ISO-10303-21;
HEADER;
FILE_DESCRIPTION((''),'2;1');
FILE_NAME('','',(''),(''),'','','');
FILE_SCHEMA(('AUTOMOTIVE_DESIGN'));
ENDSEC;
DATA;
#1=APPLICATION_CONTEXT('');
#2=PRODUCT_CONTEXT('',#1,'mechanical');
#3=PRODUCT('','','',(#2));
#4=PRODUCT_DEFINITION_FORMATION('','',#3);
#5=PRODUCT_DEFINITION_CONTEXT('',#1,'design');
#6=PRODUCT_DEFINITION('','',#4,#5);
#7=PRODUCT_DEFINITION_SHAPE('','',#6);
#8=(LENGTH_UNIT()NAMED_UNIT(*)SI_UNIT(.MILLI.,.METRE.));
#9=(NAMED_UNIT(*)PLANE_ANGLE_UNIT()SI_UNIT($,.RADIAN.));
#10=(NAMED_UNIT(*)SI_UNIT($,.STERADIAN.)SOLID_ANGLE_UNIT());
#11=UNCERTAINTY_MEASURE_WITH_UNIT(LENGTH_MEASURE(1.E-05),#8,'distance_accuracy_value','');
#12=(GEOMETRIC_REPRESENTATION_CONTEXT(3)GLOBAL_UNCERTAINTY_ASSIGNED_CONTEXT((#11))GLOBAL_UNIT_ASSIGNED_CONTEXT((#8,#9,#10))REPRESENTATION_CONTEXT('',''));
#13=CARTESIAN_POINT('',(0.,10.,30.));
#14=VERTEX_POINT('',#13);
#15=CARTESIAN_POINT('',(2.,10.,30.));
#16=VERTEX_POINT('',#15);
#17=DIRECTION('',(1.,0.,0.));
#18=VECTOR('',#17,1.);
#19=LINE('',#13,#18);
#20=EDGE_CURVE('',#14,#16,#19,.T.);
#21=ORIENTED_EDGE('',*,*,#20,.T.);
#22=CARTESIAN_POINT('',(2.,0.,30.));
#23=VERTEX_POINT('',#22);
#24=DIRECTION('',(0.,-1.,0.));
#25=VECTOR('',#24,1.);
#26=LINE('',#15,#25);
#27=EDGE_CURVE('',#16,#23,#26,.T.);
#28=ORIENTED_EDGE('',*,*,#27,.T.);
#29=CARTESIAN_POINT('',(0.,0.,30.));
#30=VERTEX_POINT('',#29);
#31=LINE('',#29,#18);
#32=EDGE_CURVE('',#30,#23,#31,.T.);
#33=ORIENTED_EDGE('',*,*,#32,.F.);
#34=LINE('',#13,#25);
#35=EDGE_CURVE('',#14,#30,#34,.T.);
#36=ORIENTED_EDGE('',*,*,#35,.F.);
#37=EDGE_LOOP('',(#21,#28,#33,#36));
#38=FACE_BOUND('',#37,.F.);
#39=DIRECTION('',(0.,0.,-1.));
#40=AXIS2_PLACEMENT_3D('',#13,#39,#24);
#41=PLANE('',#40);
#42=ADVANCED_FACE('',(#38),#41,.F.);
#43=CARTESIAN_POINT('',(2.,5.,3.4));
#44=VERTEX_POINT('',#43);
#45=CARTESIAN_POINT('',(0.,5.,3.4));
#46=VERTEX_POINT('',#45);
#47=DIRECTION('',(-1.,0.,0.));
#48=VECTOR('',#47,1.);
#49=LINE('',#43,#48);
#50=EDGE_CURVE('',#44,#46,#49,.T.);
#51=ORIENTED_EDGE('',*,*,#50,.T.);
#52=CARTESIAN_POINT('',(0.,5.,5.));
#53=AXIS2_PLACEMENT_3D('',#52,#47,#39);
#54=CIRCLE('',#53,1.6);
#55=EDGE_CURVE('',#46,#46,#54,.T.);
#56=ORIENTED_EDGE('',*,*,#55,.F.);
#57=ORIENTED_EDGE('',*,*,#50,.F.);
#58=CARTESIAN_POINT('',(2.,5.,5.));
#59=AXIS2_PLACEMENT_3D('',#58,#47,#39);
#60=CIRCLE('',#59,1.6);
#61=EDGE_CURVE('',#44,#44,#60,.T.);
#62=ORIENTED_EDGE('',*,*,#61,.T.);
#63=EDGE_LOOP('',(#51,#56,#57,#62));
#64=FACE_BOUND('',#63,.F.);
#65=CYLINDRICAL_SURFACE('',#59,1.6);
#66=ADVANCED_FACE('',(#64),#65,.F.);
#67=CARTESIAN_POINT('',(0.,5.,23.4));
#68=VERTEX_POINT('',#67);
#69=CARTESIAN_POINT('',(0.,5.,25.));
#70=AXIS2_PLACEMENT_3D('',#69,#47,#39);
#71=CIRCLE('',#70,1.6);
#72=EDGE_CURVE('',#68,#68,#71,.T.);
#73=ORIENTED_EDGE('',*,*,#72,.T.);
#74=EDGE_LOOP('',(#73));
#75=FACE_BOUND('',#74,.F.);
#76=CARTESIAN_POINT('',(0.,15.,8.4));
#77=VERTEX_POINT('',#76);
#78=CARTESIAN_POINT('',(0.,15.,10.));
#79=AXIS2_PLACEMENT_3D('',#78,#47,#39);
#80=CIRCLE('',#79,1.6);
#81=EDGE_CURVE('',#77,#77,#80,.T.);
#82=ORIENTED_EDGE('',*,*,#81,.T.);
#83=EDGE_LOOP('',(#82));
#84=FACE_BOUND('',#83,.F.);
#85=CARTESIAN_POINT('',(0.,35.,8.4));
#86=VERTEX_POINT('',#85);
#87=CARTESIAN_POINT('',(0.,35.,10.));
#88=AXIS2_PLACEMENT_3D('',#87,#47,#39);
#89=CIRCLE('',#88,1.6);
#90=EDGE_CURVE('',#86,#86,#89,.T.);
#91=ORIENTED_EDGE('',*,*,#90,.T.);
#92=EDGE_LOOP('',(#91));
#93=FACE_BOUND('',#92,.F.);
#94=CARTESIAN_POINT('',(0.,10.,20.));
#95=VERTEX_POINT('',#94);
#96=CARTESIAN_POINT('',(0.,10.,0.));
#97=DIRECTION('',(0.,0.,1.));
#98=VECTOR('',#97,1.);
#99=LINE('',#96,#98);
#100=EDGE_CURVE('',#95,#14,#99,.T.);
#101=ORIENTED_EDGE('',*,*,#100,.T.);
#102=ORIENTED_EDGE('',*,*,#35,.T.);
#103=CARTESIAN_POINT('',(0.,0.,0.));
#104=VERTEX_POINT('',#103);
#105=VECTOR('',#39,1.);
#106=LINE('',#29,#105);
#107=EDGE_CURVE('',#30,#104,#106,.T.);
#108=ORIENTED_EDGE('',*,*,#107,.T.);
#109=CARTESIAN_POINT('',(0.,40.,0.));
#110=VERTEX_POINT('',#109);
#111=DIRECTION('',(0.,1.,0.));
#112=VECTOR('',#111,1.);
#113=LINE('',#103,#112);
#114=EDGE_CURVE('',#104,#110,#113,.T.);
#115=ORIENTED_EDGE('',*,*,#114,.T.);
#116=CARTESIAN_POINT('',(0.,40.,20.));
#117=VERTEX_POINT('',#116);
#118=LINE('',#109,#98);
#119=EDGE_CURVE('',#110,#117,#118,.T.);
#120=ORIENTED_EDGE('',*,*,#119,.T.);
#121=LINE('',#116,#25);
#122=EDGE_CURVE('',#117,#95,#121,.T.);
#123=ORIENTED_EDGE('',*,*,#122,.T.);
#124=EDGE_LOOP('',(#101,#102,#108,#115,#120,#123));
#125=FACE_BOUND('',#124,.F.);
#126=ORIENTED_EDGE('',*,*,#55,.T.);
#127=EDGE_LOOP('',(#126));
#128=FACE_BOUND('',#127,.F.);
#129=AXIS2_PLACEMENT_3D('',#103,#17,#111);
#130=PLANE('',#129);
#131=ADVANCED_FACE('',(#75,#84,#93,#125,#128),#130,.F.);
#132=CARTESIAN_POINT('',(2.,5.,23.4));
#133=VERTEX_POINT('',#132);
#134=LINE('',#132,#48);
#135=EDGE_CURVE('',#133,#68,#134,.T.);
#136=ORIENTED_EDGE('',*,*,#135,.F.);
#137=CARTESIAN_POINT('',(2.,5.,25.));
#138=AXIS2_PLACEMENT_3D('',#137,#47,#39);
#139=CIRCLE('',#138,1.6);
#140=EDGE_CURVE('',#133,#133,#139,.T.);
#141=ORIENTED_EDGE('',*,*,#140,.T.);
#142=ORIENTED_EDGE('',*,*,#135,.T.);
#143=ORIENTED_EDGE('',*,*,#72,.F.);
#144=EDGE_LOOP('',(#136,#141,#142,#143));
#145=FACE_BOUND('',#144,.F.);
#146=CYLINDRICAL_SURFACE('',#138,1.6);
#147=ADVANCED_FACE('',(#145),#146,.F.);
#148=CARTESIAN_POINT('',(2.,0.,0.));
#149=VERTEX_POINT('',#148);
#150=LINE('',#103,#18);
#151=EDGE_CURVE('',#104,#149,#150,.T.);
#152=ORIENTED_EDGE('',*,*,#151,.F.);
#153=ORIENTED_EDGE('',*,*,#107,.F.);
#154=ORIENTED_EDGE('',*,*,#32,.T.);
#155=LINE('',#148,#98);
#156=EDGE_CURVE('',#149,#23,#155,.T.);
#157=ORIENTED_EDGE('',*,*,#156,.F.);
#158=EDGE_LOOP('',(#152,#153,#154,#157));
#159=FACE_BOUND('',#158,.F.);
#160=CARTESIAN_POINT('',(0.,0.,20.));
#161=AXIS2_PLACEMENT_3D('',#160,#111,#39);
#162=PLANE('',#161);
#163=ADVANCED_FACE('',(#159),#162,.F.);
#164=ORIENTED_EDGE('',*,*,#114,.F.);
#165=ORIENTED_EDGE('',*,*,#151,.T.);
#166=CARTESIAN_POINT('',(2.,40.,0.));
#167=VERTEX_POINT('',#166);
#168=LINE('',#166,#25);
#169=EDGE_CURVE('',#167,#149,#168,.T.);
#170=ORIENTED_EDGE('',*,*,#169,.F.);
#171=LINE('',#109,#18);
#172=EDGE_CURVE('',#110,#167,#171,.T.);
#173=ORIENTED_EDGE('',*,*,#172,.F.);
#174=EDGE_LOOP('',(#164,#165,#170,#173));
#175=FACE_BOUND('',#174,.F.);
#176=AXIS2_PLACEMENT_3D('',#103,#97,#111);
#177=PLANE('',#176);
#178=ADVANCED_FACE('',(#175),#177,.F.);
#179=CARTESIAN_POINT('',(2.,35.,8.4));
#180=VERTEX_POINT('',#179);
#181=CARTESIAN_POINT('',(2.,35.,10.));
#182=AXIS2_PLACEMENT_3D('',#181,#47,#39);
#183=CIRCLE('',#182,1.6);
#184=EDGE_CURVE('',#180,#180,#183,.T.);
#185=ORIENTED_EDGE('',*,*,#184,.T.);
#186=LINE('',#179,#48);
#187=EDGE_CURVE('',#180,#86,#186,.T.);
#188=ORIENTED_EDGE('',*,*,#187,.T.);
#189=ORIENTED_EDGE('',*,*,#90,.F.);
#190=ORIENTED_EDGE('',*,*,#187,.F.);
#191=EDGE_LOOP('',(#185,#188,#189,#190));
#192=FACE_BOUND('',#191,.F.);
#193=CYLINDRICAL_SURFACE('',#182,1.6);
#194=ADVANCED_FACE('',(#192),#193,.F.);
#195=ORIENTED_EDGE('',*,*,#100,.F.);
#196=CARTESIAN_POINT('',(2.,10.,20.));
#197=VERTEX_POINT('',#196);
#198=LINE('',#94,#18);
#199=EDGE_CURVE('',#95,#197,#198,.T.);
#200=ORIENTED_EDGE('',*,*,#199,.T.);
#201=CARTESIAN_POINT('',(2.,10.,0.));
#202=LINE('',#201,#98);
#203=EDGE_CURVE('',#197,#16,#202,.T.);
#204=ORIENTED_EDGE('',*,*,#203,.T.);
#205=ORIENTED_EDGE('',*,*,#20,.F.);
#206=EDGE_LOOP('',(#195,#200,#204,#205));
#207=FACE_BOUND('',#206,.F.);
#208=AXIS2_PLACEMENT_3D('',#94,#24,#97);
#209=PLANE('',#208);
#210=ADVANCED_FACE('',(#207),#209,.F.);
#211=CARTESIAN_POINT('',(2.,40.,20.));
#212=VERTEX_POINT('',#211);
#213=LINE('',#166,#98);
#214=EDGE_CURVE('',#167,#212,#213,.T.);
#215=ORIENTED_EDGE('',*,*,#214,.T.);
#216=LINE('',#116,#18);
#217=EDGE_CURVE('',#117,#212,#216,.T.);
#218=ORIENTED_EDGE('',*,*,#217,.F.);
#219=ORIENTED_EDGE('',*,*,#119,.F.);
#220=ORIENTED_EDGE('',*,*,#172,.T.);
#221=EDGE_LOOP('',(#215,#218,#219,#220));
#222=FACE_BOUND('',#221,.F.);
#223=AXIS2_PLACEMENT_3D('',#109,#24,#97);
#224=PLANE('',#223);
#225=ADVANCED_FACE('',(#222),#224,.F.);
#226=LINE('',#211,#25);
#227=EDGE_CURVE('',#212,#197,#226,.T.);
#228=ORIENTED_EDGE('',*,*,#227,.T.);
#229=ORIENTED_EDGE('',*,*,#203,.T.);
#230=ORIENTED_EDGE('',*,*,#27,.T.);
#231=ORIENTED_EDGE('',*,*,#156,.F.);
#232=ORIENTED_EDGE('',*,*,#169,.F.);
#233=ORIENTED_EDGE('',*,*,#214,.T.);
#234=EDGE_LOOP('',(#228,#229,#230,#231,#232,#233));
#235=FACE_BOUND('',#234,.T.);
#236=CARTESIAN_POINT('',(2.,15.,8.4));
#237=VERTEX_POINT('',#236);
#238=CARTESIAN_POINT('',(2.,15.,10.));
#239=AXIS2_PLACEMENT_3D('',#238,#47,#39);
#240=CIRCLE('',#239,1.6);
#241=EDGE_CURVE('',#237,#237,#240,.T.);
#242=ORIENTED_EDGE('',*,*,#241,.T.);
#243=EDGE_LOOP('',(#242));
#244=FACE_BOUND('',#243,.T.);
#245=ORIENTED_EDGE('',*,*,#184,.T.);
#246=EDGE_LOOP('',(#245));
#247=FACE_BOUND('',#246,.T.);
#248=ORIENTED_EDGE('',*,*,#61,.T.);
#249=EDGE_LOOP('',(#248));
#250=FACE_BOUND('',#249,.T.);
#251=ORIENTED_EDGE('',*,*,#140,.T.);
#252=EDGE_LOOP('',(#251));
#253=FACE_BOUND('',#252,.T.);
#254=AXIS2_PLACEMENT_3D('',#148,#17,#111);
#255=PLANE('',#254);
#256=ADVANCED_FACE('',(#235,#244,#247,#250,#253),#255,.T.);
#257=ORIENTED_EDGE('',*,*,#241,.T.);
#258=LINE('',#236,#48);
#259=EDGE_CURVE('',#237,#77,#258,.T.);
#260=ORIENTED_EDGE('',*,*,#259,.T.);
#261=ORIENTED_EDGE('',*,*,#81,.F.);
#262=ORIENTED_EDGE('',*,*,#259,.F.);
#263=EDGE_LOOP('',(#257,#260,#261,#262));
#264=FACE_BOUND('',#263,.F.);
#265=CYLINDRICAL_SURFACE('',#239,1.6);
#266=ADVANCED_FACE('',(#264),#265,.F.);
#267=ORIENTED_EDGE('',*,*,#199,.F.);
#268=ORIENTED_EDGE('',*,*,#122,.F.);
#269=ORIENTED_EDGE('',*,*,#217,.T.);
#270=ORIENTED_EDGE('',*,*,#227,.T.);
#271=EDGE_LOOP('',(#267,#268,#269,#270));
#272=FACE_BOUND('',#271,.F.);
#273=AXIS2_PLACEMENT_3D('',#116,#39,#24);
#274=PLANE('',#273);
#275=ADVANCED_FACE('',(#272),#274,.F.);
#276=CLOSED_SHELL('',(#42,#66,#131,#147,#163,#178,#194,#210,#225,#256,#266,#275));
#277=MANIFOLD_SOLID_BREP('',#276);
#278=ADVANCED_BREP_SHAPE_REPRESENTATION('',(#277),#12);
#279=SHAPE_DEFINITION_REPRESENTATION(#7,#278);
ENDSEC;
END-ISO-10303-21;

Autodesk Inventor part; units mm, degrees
ref_plane "YZ Plane" through (0, 0, 0) normal (1, 0, 0) x (0, 1, 0)
ref_plane "XZ Plane" through (0, 0, 0) normal (0, 1, 0) x (-1, 0, 0)
ref_plane "XY Plane" through (0, 0, 0) normal (0, 0, 1) x (1, 0, 0)
sketch "スケッチ1" plane through (0, 0, 0) normal (1, 0, 0) x (0, 1, 0)
  line L0 (0, 0) -> (40, 0)
  line L1 (40, 0) -> (40, 20)
  line L2 (40, 20) -> (0, 20)
  line L3 (0, 20) -> (0, 0)
  line L4 (0, 0) -> (10, 0)
  line L5 (10, 0) -> (10, 30)
  line L6 (10, 30) -> (0, 30)
  line L7 (0, 30) -> (0, 0)
  point P0 (0, 20)
  point P1 (10, 20)
  dimension "d0" = 20
  dimension "d1" = 10
  dimension "d2" = 30
  dimension "d3" = 30
extrude "押し出し1" add sketch "スケッチ1" along normal blind 2
sketch "スケッチ2" plane through (2, 0, 0) normal (1, 0, 0) x (0, 0, -1)
  line L0 (-30, 10) -> (-30, 0) projected
  line L1 (-30, 5) -> (0, 5) construction
  line L2 (0, 0) -> (0, 40) projected
  line L3 (0, 40) -> (-20, 40) projected
  line L4 (-10, 40) -> (-10, 0) construction
  line L5 (-30, 0) -> (0, 0) projected
  point P0 (-25, 5)
  point P1 (-5, 5)
  point P2 (-10, 15)
  point P3 (-10, 35)
  dimension "d6" = 20
  dimension "d7" = 5
  dimension "d8" = 20
  dimension "d9" = 5
hole "穴1" at (2, 5, 25) at (2, 5, 5) at (2, 15, 10) at (2, 35, 10) direction (-1, 0, 0) diameter 3.2 end through all
properties part number "FrameJointL1020" material "アルミニウム 6061"
